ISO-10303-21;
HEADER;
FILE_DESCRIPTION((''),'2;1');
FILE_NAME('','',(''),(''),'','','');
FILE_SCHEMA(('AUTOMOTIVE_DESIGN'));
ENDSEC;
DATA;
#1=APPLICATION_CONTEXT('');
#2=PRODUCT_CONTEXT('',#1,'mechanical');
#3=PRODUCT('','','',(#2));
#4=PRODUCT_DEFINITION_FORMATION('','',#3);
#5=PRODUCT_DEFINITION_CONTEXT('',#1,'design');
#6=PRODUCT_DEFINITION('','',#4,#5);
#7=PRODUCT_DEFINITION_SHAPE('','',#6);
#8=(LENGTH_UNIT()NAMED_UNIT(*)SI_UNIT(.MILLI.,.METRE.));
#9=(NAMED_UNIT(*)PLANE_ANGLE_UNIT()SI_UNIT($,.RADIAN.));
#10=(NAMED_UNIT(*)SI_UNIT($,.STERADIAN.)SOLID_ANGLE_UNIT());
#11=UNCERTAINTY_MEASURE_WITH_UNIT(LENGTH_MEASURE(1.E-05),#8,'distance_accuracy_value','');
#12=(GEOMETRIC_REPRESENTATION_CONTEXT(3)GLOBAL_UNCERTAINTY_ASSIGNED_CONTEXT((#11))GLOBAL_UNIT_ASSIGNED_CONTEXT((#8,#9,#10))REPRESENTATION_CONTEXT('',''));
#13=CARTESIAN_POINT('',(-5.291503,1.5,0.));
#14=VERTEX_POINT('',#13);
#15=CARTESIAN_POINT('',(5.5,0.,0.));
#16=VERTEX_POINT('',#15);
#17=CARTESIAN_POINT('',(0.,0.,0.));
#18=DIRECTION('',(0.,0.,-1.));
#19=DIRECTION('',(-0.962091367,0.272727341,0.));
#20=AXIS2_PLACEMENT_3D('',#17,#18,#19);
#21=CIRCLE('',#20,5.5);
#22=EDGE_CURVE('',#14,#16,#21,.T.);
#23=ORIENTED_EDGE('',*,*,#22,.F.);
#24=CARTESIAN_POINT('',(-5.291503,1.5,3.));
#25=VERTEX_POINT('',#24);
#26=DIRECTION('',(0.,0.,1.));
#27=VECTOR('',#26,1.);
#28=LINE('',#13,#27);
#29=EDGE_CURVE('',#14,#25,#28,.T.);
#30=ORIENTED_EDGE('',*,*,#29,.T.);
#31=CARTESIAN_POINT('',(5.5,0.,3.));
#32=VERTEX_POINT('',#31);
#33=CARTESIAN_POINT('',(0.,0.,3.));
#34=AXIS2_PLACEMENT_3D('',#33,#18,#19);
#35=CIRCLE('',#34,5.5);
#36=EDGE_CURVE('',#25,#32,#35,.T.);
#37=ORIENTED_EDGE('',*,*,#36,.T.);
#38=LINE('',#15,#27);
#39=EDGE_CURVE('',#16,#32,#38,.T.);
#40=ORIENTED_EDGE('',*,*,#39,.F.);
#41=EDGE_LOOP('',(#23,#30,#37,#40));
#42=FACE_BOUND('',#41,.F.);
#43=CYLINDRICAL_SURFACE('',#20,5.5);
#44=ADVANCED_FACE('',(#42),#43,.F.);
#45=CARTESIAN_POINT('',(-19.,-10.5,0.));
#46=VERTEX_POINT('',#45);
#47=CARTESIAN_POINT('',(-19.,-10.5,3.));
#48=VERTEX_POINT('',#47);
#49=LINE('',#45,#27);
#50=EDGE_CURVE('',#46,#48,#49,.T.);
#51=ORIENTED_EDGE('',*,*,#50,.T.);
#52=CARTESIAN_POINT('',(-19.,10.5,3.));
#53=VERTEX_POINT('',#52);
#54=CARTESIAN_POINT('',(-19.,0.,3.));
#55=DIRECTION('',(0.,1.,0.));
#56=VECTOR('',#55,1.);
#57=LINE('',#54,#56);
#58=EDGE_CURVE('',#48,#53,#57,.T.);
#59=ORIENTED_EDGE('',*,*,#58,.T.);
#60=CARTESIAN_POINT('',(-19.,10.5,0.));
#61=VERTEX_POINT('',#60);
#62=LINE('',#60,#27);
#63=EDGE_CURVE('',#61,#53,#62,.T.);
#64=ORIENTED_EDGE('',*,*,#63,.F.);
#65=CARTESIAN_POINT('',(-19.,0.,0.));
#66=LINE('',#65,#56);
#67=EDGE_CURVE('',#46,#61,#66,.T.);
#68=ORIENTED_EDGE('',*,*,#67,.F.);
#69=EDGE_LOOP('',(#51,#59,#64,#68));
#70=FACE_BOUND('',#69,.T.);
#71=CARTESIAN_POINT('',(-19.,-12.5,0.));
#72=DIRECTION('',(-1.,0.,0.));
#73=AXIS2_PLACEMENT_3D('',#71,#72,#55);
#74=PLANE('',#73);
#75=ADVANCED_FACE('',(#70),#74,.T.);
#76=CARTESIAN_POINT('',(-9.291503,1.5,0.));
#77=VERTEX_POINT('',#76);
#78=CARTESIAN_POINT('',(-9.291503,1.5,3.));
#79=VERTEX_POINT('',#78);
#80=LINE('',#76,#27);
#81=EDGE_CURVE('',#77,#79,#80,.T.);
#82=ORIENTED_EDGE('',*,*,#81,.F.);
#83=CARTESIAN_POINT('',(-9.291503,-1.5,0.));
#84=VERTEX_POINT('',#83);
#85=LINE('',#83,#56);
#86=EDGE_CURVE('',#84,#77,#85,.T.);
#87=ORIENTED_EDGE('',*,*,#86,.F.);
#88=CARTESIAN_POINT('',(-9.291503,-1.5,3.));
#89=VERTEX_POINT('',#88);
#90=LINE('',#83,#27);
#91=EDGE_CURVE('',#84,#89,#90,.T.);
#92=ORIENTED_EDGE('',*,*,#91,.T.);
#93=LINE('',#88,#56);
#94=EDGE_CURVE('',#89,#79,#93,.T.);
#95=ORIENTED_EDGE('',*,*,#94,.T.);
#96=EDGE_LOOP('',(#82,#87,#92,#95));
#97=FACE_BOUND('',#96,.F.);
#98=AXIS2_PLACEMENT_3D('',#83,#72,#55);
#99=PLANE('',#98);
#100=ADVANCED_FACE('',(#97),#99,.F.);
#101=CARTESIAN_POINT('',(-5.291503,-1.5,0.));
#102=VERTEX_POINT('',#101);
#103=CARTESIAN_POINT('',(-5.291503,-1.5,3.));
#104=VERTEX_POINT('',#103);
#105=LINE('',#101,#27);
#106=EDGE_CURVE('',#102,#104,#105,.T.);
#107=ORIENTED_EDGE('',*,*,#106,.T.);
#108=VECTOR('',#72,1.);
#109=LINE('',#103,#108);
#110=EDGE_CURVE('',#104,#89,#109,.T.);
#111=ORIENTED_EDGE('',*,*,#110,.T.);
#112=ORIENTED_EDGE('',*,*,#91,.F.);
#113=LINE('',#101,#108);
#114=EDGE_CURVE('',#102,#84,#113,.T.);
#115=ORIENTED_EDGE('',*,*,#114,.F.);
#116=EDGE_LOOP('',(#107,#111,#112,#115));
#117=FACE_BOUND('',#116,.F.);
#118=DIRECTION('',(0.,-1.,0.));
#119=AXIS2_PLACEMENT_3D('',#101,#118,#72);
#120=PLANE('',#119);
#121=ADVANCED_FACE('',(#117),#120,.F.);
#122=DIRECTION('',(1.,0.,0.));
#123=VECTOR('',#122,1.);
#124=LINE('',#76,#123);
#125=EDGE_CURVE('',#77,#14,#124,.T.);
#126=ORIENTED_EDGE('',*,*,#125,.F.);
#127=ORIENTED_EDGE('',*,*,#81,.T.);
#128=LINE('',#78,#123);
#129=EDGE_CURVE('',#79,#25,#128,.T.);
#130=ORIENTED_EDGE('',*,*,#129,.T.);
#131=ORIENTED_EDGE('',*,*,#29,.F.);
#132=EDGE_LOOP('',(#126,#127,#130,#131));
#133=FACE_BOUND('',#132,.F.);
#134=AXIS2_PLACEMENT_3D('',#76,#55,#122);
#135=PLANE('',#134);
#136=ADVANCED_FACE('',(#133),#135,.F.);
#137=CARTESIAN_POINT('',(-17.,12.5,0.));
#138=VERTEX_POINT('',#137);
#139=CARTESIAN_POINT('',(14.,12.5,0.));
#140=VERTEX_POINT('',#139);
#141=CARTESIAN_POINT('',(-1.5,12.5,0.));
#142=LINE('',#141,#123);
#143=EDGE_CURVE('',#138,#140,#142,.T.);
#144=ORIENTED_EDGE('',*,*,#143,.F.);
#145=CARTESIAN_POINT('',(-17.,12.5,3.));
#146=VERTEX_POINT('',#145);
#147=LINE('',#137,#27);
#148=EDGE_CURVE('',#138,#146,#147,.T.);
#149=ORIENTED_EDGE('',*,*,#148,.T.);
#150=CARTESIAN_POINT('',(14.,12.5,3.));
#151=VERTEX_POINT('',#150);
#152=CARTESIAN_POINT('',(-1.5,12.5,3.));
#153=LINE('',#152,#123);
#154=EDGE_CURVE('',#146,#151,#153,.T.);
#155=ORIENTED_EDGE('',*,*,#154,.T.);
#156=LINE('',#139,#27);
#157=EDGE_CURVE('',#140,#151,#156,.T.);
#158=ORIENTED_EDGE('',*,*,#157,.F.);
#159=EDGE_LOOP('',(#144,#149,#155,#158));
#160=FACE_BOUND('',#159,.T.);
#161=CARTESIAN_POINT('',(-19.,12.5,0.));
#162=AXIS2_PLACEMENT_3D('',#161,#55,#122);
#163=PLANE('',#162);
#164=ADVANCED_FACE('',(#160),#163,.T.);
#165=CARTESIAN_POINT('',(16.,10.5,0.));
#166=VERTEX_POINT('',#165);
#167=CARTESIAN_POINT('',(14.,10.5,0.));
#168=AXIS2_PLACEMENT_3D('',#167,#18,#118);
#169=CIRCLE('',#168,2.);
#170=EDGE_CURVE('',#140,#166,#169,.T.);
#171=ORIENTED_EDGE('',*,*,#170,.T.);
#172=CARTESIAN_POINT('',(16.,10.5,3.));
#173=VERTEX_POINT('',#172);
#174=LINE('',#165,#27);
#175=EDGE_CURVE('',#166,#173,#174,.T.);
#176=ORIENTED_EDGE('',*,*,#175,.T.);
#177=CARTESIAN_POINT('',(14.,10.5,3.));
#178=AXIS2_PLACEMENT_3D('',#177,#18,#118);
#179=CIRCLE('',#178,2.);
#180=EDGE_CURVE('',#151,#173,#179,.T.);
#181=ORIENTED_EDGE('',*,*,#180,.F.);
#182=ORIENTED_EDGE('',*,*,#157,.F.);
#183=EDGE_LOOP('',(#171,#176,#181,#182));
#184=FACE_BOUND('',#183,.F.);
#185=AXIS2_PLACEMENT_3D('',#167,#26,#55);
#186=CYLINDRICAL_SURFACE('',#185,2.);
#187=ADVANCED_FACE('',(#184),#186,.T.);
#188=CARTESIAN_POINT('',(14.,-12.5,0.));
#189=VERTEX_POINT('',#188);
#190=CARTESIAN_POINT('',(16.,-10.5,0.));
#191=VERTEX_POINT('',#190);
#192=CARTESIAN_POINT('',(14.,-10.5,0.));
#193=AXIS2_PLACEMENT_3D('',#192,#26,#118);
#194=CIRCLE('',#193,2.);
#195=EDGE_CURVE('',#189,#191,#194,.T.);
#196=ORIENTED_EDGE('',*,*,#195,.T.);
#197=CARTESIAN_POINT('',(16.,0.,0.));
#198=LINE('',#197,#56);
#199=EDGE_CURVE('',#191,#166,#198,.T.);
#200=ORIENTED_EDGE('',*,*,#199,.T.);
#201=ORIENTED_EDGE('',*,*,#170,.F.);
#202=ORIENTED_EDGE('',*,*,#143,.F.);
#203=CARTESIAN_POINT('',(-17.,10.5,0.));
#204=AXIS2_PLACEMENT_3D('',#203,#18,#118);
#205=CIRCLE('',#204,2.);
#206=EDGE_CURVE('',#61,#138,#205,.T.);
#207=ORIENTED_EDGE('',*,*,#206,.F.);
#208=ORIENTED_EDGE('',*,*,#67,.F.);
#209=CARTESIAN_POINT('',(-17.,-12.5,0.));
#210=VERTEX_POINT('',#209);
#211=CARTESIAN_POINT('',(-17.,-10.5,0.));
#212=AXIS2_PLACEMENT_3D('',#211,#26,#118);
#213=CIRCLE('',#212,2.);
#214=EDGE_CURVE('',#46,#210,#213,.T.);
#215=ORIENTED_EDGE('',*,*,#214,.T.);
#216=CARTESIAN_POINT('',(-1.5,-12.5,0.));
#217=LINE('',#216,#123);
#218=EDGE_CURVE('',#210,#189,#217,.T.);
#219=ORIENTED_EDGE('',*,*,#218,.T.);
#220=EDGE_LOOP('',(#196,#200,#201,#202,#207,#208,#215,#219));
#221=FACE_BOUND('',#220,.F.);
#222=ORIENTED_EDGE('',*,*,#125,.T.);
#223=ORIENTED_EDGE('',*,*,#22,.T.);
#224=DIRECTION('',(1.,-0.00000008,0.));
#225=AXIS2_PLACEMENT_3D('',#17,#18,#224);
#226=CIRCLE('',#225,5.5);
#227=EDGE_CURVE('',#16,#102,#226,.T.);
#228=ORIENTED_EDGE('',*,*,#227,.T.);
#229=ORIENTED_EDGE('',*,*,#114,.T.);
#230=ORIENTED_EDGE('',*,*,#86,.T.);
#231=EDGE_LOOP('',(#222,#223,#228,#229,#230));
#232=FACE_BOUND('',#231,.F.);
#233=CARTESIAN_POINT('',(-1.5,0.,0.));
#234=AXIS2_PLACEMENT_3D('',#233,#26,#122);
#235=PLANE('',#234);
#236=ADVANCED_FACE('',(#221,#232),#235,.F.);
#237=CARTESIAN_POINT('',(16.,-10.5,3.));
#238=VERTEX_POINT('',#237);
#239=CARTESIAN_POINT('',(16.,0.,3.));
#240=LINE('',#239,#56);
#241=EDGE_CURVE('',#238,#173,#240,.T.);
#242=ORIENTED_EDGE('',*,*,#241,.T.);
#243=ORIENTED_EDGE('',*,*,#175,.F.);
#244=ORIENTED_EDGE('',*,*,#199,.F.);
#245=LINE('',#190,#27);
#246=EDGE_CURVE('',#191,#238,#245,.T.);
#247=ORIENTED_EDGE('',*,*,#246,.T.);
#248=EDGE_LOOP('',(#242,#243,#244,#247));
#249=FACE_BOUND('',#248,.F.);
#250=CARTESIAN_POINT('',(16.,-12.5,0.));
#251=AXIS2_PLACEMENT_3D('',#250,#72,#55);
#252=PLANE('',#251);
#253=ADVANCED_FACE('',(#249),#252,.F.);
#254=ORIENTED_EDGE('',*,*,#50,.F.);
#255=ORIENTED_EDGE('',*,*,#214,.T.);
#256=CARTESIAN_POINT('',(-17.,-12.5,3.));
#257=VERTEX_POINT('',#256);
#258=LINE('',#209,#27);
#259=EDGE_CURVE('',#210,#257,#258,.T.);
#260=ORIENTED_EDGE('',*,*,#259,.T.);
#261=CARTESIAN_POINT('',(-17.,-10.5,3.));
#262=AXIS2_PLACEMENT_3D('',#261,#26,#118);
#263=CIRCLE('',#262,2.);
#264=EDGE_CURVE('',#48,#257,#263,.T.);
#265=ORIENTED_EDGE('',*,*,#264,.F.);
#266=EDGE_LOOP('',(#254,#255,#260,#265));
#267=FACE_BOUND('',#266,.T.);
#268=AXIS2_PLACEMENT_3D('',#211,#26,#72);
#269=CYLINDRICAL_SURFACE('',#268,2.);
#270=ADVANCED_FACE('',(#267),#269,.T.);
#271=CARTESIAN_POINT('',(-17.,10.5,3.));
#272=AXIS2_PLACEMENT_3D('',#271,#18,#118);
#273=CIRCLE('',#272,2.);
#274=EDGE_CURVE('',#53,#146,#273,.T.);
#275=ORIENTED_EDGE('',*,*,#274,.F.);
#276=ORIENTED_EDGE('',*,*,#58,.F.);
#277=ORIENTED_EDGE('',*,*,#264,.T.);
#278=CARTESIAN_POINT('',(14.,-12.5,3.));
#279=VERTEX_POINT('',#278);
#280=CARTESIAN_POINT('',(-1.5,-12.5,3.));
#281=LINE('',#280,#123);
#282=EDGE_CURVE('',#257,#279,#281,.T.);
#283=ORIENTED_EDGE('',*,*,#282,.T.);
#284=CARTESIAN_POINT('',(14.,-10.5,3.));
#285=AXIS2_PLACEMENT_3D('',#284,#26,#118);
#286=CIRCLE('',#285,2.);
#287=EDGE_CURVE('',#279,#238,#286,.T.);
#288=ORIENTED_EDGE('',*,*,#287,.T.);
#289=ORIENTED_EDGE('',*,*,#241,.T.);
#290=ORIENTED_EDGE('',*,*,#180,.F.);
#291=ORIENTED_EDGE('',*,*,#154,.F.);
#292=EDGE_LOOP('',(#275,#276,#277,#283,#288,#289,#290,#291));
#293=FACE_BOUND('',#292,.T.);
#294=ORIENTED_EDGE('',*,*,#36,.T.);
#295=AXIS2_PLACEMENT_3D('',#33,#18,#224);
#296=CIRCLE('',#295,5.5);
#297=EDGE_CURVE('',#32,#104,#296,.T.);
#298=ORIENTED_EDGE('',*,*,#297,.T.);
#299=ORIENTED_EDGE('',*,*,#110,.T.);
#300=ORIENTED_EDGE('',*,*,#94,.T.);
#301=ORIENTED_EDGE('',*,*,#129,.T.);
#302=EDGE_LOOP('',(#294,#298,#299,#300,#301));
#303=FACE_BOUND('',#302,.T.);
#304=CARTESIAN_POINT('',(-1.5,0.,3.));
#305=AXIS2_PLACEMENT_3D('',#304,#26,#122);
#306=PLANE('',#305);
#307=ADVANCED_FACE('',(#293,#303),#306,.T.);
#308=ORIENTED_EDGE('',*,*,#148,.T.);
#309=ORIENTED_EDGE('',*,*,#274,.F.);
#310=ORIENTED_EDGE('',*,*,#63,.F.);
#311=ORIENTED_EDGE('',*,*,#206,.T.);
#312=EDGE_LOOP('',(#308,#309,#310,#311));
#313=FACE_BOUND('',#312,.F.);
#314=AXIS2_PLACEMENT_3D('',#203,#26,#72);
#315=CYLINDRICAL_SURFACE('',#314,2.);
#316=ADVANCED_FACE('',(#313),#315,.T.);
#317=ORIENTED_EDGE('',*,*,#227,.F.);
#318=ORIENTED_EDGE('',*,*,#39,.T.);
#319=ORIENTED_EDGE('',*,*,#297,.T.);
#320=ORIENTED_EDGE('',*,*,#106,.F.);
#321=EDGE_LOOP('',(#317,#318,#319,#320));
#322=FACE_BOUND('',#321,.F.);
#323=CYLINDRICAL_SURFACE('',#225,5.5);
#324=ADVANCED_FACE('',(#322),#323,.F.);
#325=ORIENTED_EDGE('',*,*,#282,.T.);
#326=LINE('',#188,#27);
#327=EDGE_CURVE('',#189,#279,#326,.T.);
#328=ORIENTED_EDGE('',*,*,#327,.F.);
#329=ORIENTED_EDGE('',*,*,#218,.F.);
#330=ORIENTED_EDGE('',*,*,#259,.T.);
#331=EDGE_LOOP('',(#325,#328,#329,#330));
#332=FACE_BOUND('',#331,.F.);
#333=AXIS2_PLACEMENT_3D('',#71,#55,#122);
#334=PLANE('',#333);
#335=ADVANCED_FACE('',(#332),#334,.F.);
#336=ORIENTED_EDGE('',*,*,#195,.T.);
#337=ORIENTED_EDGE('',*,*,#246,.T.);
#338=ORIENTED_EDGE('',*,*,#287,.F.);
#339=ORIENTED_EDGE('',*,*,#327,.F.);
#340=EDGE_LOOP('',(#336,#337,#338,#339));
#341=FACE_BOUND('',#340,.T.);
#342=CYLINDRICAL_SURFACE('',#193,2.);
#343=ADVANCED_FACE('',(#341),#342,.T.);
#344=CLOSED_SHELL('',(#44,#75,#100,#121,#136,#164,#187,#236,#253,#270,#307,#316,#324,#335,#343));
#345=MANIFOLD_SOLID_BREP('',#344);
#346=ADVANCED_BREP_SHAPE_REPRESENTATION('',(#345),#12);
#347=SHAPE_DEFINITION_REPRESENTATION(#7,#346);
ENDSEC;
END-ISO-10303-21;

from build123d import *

# Parameters (mm, degrees)
F0_W     = 35
F0_H     = 25
F1_DEPTH = 3
F2_R     = 2


with BuildPart() as f1:
    # F0 (on Top) → F1 (new body)
    with BuildSketch(Plane.XY):
        with Locations((-1.5, 0)):
            Rectangle(F0_W, F0_H)
        with BuildLine():
            ThreePointArc((-5.291503, 1.5), (0.757211, 5.447626), (5.5, 0))
            ThreePointArc((5.5, 0), (0.757211, -5.447626), (-5.291503, -1.5))
            Line((-5.291503, -1.5), (-9.291503, -1.5))
            Line((-9.291503, -1.5), (-9.291503, 1.5))
            Line((-9.291503, 1.5), (-5.291503, 1.5))
        make_face(mode=Mode.SUBTRACT)
    extrude(amount=F1_DEPTH)

    # F2
    f2_edges = [f1.edges().sort_by_distance(p)[0] for p in [
        (-19, -12.5, 1.5),
        (16, -12.5, 1.5),
        (16, 12.5, 1.5),
        (-19, 12.5, 1.5),
    ]]
    fillet(f2_edges, radius=F2_R)


solid = f1.part
